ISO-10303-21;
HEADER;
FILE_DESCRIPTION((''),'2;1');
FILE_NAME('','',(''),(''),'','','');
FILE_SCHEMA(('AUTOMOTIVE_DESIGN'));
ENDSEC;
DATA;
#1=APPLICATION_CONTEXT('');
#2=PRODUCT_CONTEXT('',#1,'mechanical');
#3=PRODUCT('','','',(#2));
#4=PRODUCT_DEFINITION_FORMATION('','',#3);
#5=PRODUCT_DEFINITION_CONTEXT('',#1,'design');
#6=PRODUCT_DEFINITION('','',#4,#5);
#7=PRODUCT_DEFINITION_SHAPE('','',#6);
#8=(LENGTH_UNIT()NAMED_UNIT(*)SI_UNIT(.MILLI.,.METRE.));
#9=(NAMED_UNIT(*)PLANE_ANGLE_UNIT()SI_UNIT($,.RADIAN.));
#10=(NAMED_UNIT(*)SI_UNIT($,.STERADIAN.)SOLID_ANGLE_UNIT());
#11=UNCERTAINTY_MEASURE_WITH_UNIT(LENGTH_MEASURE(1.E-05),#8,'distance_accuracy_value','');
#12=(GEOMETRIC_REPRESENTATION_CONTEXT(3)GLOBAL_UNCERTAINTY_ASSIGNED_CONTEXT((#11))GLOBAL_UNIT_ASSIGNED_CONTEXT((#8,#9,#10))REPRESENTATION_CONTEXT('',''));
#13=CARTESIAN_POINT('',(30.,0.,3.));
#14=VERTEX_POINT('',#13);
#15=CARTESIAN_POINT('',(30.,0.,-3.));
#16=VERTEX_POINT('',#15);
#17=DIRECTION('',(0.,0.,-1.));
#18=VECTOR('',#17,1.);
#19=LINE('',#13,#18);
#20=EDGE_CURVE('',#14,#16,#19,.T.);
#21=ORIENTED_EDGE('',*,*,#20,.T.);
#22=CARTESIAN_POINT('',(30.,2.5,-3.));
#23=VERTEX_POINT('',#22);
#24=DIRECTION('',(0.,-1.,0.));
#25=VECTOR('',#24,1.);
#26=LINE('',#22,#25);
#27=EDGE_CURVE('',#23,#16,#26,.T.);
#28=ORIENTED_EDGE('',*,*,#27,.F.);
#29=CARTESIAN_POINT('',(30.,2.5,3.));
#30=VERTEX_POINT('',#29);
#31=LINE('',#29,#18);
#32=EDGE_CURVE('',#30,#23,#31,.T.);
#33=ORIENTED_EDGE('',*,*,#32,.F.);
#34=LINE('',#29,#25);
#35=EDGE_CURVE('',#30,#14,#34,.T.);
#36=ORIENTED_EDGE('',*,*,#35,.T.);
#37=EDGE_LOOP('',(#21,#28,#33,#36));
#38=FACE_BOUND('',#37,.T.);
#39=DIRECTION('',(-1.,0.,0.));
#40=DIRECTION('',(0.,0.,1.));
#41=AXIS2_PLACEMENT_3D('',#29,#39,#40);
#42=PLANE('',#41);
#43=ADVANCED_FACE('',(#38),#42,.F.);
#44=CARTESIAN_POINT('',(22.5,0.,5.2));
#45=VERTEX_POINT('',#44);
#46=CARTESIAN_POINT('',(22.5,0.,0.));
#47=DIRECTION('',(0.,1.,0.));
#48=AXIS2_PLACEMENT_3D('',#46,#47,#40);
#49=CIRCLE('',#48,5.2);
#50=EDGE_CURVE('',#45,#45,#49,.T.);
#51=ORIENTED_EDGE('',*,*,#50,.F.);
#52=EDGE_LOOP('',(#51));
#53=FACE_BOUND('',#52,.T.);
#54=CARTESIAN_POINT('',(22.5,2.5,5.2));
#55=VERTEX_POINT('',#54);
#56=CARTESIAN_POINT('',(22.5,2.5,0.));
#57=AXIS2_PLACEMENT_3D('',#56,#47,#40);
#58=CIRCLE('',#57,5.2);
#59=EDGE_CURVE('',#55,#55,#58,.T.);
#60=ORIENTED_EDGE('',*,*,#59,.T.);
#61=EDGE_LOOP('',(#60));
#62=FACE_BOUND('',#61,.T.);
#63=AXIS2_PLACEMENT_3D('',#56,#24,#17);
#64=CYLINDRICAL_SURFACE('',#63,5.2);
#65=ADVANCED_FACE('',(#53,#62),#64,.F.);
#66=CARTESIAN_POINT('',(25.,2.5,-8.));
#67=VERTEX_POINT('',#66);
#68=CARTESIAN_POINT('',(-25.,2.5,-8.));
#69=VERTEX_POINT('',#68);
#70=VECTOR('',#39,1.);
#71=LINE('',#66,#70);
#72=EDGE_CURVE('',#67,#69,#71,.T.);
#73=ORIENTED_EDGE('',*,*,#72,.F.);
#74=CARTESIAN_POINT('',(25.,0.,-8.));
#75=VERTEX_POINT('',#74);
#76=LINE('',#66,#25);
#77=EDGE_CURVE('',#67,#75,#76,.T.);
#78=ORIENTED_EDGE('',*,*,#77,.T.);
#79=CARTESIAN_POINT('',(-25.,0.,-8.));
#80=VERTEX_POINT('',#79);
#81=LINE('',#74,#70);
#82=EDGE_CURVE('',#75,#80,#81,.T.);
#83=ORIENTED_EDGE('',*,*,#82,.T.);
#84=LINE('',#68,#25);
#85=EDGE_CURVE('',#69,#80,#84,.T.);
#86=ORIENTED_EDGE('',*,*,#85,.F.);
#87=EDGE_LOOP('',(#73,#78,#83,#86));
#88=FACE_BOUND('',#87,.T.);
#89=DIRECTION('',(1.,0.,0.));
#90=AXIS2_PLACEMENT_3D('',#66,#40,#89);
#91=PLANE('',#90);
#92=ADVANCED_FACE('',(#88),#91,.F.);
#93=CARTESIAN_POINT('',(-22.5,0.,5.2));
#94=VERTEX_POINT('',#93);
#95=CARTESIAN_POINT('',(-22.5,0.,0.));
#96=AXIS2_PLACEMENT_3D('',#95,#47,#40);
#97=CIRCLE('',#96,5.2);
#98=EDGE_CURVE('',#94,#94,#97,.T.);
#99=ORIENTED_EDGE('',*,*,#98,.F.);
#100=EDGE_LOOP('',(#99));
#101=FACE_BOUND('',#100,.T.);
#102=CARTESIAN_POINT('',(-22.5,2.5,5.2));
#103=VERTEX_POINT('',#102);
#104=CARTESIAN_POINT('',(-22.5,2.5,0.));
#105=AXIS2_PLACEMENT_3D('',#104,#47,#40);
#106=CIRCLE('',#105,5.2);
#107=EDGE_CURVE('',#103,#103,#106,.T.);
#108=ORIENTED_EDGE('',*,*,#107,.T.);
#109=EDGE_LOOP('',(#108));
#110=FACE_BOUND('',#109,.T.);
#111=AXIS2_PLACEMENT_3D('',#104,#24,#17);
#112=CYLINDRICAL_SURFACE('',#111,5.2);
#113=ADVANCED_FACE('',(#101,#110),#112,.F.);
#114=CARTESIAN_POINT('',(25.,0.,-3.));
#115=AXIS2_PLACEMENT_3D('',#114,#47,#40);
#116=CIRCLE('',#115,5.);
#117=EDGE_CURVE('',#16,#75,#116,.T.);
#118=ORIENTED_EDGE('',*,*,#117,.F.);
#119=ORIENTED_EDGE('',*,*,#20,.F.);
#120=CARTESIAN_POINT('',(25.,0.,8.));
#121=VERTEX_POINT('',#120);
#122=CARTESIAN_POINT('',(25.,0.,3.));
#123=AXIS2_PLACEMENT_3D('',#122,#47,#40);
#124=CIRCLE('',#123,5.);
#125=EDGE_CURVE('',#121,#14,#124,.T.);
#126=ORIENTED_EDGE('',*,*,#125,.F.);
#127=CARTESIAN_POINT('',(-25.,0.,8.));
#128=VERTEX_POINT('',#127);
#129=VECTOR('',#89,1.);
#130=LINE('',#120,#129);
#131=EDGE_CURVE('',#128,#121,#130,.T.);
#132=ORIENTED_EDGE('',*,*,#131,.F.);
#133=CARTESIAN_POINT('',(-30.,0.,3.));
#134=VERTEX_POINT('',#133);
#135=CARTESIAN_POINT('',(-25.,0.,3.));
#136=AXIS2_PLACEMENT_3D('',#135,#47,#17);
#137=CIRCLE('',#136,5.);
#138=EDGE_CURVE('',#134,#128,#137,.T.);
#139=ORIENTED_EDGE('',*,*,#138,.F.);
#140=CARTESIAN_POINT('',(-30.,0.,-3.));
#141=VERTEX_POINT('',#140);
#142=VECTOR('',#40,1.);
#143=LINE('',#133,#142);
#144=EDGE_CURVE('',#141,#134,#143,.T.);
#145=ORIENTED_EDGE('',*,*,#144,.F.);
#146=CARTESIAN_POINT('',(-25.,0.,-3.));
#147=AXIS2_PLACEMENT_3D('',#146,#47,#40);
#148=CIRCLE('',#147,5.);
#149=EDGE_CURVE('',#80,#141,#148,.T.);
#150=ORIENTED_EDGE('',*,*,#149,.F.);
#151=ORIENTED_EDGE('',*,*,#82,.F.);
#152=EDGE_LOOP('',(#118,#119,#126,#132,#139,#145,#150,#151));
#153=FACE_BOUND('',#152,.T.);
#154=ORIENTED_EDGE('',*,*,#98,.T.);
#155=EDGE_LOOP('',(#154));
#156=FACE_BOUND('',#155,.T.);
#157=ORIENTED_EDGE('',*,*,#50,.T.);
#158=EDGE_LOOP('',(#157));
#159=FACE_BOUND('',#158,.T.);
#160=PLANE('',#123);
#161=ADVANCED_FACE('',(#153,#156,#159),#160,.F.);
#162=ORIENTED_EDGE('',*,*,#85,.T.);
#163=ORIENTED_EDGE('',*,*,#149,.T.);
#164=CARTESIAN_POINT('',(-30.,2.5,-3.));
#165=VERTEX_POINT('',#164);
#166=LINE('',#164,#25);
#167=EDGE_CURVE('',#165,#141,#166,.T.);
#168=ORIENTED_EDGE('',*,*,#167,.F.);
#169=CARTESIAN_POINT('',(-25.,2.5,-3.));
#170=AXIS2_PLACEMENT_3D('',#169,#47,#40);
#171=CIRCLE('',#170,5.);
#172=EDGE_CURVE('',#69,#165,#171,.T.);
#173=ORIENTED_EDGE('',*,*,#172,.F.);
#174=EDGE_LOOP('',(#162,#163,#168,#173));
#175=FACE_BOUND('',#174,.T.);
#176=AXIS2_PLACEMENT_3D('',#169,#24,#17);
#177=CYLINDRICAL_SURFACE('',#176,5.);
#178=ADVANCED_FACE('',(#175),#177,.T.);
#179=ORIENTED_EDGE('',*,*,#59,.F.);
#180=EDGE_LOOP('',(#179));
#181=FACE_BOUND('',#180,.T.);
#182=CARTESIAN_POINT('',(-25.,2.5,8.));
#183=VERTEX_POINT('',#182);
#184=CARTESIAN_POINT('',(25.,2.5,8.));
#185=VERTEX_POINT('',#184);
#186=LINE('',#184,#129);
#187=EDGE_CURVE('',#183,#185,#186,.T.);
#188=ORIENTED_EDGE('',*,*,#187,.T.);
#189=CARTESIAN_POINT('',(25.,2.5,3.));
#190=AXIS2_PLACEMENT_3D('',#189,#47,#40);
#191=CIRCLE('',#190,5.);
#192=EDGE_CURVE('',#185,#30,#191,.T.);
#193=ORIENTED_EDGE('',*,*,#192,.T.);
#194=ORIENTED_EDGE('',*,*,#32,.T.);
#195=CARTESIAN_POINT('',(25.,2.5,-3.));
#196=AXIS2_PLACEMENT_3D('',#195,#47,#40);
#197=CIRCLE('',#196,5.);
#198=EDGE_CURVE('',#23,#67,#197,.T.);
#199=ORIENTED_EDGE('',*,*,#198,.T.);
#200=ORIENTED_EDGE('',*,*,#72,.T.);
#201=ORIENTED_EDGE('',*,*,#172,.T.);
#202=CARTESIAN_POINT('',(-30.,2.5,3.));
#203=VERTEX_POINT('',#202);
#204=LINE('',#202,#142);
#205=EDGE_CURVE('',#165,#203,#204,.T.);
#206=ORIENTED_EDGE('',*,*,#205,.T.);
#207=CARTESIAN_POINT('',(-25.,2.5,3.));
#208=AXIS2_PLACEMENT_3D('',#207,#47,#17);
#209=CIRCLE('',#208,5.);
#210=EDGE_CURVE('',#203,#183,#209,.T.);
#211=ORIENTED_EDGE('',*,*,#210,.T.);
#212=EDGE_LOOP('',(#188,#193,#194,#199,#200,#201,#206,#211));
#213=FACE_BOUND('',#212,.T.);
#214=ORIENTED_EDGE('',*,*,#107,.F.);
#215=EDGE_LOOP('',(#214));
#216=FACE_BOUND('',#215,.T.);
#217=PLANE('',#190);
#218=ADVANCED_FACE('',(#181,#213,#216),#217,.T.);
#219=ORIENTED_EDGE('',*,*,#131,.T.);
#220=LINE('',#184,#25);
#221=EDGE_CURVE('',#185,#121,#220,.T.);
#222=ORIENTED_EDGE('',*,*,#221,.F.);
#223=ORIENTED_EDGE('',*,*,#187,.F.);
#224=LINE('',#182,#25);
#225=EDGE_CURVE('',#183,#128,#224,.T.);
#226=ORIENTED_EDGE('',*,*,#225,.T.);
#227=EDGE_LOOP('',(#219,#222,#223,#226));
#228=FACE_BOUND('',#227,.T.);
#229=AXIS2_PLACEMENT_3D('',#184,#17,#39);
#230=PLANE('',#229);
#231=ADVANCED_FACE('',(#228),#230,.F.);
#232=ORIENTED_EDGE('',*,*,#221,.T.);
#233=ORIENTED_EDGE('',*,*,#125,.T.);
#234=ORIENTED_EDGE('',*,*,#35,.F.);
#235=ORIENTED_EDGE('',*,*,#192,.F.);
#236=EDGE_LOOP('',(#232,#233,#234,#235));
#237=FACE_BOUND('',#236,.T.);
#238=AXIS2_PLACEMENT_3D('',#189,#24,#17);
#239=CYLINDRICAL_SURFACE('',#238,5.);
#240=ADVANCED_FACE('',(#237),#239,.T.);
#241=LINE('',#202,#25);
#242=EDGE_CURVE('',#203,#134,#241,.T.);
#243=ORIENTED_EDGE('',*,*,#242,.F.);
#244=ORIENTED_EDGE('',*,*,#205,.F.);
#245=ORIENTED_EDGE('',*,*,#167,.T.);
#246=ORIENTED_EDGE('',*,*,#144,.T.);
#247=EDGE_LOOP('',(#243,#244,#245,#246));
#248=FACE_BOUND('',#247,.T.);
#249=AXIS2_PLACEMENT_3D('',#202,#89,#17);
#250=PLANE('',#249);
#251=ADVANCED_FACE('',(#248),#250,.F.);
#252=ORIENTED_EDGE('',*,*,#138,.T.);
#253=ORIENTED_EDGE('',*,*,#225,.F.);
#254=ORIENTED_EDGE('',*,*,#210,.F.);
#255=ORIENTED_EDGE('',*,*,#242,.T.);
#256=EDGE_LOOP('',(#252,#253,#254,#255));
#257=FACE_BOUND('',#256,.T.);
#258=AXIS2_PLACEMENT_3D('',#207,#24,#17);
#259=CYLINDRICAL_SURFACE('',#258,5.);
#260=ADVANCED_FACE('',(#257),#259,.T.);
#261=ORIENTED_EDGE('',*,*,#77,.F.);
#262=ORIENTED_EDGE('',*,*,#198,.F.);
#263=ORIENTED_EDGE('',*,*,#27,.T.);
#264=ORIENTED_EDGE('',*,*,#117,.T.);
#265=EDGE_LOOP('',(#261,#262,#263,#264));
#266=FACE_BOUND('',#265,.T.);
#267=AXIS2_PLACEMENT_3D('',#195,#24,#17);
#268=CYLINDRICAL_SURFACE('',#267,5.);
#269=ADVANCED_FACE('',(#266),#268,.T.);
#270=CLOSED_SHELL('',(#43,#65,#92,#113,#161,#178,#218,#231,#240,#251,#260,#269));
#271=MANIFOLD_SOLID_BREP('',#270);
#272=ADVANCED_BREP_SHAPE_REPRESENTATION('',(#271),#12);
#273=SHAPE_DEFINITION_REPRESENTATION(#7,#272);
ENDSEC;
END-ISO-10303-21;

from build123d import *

# Parameters (mm, degrees)
SKETCH1_R           = 5.2
BOSS_EXTRUDE1_DEPTH = 2.5


with BuildPart() as part:
    # Sketch1 → Boss-Extrude1 (new body)
    with BuildSketch(Plane(origin=(0, 0, 0), x_dir=(1, 0, 0), z_dir=(0, 1, 0))):
        with BuildLine():
            Line((25, -8), (-25, -8))
            ThreePointArc((-25, -8), (-28.535533906, -6.535533906), (-30, -3))
            Line((-30, -3), (-30, 3))
            ThreePointArc((-30, 3), (-28.535533906, 6.535533906), (-25, 8))
            Line((-25, 8), (25, 8))
            ThreePointArc((25, 8), (28.535533906, 6.535533906), (30, 3))
            Line((30, 3), (30, -3))
            ThreePointArc((30, -3), (28.535533906, -6.535533906), (25, -8))
        make_face()
        with Locations((-22.5, 0)):
            Circle(SKETCH1_R, mode=Mode.SUBTRACT)
        with Locations((22.5, 0)):
            Circle(SKETCH1_R, mode=Mode.SUBTRACT)
    extrude(amount=BOSS_EXTRUDE1_DEPTH)


solid = part.part
